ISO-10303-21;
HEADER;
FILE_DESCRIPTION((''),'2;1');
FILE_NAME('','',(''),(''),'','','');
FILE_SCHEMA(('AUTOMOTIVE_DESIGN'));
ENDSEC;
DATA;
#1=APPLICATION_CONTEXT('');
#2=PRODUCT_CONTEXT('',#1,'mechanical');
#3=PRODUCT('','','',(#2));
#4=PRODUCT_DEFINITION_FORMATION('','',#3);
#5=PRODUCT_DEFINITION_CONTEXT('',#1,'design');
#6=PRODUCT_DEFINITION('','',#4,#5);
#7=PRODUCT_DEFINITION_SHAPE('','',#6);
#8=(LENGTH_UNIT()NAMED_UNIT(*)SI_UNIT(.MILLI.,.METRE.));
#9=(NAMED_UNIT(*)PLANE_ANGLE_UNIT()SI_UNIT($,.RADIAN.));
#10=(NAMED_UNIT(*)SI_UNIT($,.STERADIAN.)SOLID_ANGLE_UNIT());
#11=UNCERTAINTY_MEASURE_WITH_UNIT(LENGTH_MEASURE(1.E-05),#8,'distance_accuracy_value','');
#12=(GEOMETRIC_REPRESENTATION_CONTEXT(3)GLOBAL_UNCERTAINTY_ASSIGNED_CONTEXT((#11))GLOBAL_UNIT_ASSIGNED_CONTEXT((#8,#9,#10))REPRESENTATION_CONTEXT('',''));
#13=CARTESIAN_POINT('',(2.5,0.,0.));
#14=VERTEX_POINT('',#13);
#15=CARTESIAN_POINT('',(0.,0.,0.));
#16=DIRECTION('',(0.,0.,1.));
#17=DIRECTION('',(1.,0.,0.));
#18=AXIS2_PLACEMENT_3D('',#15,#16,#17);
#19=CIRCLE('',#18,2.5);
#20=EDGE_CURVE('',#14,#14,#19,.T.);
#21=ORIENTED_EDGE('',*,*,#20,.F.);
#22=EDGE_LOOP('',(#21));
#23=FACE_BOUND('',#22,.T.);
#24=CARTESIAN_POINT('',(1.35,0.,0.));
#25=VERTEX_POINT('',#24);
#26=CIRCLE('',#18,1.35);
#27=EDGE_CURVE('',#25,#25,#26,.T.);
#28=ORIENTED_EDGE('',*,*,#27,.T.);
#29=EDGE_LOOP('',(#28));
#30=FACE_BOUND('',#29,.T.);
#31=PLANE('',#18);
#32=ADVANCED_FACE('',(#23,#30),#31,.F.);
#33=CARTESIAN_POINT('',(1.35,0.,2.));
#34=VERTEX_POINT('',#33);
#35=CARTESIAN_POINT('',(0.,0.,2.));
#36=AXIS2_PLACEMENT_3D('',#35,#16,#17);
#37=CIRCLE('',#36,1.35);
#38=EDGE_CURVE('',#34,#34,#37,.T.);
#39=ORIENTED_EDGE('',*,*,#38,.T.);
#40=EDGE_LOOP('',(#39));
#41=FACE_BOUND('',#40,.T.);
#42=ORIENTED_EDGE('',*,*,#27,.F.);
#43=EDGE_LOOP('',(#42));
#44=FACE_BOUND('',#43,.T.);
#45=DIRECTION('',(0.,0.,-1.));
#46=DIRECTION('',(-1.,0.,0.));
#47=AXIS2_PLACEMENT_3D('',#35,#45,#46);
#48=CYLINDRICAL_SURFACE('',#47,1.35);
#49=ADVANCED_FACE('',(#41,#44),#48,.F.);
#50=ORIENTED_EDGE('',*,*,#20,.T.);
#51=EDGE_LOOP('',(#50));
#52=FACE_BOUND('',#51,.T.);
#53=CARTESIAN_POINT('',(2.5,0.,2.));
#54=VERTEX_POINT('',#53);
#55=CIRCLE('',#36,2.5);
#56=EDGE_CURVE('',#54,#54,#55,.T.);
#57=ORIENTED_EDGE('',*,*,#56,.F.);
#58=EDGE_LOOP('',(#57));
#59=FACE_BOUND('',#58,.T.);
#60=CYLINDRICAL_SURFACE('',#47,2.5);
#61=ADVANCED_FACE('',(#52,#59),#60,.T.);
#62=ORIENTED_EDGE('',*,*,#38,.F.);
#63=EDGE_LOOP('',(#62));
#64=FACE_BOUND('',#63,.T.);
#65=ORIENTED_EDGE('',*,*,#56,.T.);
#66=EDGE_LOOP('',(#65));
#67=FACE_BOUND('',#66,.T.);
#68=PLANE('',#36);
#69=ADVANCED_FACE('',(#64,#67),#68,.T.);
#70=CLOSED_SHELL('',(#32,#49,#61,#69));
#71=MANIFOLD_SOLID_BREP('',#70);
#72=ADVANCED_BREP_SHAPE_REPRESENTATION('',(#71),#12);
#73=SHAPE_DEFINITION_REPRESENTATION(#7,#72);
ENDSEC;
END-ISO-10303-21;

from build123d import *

# Parameters (mm, degrees)
SKETCH_1_R      = 2.5
SKETCH_1_R_2    = 1.35
EXTRUDE_1_DEPTH = 2


with BuildPart() as part:
    # ｽｹｯﾁ1 → ﾎﾞｽ - 押し出し1 (new body)
    with BuildSketch(Plane.XY):
        Circle(SKETCH_1_R)
        Circle(SKETCH_1_R_2, mode=Mode.SUBTRACT)
    extrude(amount=EXTRUDE_1_DEPTH)


solid = part.part
